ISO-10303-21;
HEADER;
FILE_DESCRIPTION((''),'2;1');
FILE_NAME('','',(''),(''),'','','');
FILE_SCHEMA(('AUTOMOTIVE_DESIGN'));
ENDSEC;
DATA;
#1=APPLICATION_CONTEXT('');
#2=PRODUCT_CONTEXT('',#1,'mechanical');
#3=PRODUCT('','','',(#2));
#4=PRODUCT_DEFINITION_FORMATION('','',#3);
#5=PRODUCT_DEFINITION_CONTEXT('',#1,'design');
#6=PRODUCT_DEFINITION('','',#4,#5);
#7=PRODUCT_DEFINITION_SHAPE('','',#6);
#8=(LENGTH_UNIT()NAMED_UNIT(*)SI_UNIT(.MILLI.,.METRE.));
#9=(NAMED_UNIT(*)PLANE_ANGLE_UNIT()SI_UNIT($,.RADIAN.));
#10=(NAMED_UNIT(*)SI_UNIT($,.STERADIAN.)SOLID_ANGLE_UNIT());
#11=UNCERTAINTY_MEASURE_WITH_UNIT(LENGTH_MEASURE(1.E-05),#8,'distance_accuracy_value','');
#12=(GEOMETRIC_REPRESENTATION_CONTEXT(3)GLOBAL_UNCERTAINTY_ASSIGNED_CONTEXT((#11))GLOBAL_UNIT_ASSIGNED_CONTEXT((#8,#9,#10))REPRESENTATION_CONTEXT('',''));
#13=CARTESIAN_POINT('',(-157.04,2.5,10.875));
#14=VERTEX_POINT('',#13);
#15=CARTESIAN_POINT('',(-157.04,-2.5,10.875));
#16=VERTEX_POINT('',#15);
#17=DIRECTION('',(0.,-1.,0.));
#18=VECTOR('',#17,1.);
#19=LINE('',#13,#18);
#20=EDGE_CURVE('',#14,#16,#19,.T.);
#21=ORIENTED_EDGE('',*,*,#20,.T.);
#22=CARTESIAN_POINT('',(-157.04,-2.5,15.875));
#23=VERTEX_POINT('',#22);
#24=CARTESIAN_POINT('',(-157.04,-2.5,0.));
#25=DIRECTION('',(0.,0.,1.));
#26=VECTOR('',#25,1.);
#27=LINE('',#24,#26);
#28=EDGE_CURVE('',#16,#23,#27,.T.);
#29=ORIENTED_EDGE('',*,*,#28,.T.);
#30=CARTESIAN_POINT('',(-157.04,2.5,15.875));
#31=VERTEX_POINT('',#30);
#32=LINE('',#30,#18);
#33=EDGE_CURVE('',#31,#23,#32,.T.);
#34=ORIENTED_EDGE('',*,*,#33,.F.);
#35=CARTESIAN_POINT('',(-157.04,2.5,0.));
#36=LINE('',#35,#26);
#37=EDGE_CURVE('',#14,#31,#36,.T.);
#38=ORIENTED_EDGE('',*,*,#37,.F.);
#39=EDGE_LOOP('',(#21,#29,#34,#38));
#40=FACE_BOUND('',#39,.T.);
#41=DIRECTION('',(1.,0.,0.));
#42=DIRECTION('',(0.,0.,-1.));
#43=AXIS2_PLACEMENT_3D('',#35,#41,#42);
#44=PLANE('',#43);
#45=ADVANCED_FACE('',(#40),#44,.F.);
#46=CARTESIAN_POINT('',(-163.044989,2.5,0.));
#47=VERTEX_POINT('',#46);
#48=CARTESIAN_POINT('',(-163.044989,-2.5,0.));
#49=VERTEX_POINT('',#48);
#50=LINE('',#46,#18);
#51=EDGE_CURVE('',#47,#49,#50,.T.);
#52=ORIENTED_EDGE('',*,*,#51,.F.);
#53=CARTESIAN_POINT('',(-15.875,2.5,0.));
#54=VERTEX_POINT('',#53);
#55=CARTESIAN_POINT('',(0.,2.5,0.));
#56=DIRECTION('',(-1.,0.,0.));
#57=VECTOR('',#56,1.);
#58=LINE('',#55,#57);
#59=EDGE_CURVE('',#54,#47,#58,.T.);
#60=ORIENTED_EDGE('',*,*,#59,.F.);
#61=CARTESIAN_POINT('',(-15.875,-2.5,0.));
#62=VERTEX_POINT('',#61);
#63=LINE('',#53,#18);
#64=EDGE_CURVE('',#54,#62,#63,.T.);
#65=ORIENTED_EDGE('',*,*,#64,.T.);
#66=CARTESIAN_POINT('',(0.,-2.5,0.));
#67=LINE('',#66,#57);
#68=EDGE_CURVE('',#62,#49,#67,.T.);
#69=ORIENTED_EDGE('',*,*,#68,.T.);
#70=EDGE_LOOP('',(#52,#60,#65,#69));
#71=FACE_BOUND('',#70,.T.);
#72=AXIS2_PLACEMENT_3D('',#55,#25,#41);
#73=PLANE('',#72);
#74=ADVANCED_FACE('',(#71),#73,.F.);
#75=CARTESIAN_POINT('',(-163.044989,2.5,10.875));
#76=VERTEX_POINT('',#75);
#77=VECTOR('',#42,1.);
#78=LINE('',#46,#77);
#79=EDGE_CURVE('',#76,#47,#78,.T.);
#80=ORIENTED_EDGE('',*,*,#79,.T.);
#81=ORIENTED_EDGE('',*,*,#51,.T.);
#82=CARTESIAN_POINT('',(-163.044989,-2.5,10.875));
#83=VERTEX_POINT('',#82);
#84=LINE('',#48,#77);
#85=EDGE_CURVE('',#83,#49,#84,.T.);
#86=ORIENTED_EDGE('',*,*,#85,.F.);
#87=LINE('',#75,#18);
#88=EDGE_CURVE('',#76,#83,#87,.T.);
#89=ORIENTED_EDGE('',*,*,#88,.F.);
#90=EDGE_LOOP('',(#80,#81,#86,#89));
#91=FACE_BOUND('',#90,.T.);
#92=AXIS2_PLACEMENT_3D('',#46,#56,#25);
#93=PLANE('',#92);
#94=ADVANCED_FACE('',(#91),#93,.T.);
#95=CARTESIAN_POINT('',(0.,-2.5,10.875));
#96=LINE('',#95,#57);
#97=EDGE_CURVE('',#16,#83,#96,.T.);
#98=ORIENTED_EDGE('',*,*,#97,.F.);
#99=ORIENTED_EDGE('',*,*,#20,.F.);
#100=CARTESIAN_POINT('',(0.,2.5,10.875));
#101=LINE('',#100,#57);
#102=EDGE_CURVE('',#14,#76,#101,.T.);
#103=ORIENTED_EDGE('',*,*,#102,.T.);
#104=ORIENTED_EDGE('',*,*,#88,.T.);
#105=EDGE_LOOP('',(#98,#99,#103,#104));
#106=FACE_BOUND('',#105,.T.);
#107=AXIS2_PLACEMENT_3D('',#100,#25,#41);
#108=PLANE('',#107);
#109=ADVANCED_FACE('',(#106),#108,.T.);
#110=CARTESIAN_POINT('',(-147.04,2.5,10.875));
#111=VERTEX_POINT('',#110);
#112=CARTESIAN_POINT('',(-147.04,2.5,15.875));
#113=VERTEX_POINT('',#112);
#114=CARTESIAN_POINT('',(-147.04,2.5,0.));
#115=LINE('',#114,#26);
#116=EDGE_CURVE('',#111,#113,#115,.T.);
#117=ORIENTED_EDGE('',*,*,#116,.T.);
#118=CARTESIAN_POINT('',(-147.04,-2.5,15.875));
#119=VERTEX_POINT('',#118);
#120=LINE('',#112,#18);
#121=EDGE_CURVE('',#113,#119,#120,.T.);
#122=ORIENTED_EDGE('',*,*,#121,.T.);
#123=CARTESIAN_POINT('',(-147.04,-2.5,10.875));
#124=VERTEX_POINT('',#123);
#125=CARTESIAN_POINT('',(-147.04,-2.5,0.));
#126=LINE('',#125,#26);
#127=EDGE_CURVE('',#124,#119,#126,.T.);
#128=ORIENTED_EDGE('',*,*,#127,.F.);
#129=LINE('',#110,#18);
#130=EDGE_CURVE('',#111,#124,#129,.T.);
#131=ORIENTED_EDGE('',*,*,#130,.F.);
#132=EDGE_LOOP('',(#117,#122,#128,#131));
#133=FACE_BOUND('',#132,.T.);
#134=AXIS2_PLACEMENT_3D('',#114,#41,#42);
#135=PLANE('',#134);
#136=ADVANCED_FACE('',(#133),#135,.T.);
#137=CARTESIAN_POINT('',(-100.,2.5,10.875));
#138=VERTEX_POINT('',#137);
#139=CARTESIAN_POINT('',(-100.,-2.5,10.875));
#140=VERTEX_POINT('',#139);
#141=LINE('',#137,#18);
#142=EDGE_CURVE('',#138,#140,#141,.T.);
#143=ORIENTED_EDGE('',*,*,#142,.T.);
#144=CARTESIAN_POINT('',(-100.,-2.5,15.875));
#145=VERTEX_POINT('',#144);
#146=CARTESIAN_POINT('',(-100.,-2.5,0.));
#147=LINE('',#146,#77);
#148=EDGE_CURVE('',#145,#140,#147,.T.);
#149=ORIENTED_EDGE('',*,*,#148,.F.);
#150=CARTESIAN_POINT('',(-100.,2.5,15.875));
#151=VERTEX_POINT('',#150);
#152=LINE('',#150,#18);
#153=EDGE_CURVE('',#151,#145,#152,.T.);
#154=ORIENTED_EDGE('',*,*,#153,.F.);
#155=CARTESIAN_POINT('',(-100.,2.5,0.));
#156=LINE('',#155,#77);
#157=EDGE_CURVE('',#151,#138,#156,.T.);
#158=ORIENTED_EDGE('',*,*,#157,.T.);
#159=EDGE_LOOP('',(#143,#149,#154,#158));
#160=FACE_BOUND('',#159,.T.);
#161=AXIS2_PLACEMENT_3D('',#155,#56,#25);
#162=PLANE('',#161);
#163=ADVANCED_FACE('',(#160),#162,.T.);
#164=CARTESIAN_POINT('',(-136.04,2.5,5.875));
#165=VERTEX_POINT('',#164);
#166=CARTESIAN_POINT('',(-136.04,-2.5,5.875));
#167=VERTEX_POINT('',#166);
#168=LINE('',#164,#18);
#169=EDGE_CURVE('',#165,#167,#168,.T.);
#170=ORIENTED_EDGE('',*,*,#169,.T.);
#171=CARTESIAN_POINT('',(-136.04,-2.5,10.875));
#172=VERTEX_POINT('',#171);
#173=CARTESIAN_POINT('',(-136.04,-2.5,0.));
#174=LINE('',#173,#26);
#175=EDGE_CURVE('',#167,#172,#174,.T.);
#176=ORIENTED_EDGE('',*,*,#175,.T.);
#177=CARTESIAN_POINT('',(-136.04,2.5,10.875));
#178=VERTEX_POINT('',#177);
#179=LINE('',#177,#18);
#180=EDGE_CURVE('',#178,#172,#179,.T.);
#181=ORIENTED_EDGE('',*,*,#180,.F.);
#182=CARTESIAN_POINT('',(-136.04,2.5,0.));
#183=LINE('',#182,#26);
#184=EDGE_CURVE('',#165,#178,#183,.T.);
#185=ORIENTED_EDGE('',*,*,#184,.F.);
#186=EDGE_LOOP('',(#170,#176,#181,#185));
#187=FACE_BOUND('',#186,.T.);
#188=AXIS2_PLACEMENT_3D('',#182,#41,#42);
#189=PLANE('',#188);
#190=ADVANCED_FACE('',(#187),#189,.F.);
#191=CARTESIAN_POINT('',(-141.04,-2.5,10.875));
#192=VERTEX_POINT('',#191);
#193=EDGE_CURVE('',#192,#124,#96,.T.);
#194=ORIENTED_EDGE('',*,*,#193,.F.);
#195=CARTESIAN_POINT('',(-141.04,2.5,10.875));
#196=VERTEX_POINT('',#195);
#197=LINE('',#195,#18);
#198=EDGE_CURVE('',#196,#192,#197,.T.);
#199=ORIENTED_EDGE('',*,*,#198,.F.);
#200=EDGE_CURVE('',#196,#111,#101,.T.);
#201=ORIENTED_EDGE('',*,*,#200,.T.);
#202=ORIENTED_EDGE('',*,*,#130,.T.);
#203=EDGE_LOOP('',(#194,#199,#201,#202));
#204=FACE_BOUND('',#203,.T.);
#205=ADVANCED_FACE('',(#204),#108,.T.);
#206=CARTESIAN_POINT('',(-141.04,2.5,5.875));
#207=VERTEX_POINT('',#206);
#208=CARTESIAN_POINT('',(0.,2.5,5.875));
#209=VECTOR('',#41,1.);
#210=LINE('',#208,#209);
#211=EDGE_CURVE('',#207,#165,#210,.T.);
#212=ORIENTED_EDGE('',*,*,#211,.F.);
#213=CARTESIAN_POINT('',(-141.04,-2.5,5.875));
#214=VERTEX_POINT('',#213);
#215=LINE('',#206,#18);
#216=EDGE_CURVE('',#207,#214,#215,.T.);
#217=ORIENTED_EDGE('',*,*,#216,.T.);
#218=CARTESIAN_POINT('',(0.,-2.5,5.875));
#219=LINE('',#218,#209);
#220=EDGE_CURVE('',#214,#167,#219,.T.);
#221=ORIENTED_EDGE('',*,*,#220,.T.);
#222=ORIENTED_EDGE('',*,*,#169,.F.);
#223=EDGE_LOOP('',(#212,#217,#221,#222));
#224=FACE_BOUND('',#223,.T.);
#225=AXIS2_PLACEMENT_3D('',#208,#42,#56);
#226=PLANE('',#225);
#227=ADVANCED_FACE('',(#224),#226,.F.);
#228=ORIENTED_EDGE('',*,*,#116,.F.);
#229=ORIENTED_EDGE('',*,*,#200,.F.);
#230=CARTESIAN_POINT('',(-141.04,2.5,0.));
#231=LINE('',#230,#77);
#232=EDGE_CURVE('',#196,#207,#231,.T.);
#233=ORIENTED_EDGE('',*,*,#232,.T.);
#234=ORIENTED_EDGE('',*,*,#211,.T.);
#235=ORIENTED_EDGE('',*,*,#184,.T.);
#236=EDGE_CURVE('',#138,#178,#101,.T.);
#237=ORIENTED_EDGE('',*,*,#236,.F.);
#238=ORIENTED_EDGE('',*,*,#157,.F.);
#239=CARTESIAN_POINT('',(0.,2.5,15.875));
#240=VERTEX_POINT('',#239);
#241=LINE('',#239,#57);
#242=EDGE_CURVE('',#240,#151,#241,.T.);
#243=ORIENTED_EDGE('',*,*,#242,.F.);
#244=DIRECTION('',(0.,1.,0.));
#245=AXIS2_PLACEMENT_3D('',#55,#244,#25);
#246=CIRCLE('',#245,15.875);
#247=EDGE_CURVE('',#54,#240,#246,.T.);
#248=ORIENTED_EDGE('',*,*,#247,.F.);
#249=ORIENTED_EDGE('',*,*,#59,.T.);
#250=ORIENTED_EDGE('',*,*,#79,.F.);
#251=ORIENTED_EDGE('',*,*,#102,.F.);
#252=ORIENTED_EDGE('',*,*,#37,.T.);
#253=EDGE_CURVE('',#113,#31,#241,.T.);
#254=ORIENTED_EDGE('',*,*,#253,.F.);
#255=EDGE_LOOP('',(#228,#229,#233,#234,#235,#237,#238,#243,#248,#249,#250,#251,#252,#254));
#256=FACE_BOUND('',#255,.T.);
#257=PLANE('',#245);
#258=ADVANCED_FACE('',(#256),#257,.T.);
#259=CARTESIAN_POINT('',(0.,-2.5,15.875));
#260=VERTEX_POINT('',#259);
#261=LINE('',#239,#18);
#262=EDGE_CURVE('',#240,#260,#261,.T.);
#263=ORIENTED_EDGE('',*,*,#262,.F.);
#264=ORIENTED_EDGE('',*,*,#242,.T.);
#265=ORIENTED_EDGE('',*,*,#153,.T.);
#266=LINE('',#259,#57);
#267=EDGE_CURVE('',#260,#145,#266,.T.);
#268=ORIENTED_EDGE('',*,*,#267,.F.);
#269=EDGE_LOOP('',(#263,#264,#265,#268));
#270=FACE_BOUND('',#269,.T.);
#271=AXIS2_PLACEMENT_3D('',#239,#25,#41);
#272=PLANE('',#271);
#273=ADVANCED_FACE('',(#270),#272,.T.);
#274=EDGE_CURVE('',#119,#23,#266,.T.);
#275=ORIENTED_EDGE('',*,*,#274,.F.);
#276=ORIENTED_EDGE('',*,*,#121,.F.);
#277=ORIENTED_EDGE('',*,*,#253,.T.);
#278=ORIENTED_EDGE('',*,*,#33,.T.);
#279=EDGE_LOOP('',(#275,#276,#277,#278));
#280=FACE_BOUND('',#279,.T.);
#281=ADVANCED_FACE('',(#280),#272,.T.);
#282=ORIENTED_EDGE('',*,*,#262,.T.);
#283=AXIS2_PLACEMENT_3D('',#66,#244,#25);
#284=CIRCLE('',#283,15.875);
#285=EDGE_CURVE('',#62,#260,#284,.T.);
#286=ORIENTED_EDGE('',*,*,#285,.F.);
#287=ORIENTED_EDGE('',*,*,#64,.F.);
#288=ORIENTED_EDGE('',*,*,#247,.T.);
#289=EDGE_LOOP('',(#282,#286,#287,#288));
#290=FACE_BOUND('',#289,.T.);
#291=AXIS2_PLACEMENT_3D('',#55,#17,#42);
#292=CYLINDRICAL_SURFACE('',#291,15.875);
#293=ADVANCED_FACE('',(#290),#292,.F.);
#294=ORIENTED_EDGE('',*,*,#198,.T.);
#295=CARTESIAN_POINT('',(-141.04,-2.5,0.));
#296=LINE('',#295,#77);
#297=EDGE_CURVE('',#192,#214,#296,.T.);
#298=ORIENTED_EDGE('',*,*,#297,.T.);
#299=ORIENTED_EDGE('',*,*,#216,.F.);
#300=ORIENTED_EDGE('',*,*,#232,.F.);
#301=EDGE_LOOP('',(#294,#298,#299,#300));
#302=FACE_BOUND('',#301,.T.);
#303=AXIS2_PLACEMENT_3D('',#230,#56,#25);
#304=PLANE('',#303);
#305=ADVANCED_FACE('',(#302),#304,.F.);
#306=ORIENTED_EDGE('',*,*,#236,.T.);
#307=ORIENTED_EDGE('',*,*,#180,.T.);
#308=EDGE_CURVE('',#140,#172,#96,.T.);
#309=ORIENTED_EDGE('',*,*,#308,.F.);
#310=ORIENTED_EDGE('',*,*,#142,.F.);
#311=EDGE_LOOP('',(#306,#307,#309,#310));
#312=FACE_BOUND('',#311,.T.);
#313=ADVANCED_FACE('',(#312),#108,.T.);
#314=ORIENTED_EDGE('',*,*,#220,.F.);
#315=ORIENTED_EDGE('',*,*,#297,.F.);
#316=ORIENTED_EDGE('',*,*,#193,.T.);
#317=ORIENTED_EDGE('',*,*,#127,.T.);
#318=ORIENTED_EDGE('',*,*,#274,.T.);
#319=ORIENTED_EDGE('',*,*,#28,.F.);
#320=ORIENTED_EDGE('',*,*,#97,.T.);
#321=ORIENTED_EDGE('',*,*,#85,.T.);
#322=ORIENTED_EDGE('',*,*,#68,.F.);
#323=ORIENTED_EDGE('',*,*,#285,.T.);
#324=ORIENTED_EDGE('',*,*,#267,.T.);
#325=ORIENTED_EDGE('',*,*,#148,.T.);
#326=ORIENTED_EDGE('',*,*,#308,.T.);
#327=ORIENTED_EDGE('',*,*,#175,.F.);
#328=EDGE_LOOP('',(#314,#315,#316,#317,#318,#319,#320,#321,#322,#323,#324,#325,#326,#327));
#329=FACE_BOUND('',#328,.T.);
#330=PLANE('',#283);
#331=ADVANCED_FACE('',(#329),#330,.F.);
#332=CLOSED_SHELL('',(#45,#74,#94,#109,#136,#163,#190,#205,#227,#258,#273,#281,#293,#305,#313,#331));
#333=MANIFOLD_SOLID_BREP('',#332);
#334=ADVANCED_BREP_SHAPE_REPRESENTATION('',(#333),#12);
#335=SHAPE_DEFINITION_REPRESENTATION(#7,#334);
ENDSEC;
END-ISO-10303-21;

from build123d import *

# Parameters (mm, degrees)
BOSS_EXTRUDE1_DEPTH = 2.5


with BuildPart() as part:
    # Sketch1 → Boss-Extrude1 (new, symmetric)
    with BuildSketch(Plane(origin=(0, 0, 0), x_dir=(-1, 0, 0), z_dir=(0, 1, 0))):
        with BuildLine():
            ThreePointArc((0, 15.875), (11.225320151, 11.225320151), (15.875, 0))
            Line((15.875, 0), (163.044989153, 0))
            Line((163.044989153, 0), (163.044989153, 10.875))
            Line((163.044989153, 10.875), (157.04, 10.875))
            Line((157.04, 10.875), (157.04, 15.875))
            Line((157.04, 15.875), (147.04, 15.875))
            Line((147.04, 15.875), (147.04, 10.875))
            Line((147.04, 10.875), (141.04, 10.875))
            Line((141.04, 10.875), (141.04, 5.875))
            Line((141.04, 5.875), (136.04, 5.875))
            Line((136.04, 5.875), (136.04, 10.875))
            Line((136.04, 10.875), (100, 10.875))
            Line((100, 10.875), (100, 15.875))
            Line((100, 15.875), (0, 15.875))
        make_face()
    extrude(amount=BOSS_EXTRUDE1_DEPTH, both=True)


solid = part.part
